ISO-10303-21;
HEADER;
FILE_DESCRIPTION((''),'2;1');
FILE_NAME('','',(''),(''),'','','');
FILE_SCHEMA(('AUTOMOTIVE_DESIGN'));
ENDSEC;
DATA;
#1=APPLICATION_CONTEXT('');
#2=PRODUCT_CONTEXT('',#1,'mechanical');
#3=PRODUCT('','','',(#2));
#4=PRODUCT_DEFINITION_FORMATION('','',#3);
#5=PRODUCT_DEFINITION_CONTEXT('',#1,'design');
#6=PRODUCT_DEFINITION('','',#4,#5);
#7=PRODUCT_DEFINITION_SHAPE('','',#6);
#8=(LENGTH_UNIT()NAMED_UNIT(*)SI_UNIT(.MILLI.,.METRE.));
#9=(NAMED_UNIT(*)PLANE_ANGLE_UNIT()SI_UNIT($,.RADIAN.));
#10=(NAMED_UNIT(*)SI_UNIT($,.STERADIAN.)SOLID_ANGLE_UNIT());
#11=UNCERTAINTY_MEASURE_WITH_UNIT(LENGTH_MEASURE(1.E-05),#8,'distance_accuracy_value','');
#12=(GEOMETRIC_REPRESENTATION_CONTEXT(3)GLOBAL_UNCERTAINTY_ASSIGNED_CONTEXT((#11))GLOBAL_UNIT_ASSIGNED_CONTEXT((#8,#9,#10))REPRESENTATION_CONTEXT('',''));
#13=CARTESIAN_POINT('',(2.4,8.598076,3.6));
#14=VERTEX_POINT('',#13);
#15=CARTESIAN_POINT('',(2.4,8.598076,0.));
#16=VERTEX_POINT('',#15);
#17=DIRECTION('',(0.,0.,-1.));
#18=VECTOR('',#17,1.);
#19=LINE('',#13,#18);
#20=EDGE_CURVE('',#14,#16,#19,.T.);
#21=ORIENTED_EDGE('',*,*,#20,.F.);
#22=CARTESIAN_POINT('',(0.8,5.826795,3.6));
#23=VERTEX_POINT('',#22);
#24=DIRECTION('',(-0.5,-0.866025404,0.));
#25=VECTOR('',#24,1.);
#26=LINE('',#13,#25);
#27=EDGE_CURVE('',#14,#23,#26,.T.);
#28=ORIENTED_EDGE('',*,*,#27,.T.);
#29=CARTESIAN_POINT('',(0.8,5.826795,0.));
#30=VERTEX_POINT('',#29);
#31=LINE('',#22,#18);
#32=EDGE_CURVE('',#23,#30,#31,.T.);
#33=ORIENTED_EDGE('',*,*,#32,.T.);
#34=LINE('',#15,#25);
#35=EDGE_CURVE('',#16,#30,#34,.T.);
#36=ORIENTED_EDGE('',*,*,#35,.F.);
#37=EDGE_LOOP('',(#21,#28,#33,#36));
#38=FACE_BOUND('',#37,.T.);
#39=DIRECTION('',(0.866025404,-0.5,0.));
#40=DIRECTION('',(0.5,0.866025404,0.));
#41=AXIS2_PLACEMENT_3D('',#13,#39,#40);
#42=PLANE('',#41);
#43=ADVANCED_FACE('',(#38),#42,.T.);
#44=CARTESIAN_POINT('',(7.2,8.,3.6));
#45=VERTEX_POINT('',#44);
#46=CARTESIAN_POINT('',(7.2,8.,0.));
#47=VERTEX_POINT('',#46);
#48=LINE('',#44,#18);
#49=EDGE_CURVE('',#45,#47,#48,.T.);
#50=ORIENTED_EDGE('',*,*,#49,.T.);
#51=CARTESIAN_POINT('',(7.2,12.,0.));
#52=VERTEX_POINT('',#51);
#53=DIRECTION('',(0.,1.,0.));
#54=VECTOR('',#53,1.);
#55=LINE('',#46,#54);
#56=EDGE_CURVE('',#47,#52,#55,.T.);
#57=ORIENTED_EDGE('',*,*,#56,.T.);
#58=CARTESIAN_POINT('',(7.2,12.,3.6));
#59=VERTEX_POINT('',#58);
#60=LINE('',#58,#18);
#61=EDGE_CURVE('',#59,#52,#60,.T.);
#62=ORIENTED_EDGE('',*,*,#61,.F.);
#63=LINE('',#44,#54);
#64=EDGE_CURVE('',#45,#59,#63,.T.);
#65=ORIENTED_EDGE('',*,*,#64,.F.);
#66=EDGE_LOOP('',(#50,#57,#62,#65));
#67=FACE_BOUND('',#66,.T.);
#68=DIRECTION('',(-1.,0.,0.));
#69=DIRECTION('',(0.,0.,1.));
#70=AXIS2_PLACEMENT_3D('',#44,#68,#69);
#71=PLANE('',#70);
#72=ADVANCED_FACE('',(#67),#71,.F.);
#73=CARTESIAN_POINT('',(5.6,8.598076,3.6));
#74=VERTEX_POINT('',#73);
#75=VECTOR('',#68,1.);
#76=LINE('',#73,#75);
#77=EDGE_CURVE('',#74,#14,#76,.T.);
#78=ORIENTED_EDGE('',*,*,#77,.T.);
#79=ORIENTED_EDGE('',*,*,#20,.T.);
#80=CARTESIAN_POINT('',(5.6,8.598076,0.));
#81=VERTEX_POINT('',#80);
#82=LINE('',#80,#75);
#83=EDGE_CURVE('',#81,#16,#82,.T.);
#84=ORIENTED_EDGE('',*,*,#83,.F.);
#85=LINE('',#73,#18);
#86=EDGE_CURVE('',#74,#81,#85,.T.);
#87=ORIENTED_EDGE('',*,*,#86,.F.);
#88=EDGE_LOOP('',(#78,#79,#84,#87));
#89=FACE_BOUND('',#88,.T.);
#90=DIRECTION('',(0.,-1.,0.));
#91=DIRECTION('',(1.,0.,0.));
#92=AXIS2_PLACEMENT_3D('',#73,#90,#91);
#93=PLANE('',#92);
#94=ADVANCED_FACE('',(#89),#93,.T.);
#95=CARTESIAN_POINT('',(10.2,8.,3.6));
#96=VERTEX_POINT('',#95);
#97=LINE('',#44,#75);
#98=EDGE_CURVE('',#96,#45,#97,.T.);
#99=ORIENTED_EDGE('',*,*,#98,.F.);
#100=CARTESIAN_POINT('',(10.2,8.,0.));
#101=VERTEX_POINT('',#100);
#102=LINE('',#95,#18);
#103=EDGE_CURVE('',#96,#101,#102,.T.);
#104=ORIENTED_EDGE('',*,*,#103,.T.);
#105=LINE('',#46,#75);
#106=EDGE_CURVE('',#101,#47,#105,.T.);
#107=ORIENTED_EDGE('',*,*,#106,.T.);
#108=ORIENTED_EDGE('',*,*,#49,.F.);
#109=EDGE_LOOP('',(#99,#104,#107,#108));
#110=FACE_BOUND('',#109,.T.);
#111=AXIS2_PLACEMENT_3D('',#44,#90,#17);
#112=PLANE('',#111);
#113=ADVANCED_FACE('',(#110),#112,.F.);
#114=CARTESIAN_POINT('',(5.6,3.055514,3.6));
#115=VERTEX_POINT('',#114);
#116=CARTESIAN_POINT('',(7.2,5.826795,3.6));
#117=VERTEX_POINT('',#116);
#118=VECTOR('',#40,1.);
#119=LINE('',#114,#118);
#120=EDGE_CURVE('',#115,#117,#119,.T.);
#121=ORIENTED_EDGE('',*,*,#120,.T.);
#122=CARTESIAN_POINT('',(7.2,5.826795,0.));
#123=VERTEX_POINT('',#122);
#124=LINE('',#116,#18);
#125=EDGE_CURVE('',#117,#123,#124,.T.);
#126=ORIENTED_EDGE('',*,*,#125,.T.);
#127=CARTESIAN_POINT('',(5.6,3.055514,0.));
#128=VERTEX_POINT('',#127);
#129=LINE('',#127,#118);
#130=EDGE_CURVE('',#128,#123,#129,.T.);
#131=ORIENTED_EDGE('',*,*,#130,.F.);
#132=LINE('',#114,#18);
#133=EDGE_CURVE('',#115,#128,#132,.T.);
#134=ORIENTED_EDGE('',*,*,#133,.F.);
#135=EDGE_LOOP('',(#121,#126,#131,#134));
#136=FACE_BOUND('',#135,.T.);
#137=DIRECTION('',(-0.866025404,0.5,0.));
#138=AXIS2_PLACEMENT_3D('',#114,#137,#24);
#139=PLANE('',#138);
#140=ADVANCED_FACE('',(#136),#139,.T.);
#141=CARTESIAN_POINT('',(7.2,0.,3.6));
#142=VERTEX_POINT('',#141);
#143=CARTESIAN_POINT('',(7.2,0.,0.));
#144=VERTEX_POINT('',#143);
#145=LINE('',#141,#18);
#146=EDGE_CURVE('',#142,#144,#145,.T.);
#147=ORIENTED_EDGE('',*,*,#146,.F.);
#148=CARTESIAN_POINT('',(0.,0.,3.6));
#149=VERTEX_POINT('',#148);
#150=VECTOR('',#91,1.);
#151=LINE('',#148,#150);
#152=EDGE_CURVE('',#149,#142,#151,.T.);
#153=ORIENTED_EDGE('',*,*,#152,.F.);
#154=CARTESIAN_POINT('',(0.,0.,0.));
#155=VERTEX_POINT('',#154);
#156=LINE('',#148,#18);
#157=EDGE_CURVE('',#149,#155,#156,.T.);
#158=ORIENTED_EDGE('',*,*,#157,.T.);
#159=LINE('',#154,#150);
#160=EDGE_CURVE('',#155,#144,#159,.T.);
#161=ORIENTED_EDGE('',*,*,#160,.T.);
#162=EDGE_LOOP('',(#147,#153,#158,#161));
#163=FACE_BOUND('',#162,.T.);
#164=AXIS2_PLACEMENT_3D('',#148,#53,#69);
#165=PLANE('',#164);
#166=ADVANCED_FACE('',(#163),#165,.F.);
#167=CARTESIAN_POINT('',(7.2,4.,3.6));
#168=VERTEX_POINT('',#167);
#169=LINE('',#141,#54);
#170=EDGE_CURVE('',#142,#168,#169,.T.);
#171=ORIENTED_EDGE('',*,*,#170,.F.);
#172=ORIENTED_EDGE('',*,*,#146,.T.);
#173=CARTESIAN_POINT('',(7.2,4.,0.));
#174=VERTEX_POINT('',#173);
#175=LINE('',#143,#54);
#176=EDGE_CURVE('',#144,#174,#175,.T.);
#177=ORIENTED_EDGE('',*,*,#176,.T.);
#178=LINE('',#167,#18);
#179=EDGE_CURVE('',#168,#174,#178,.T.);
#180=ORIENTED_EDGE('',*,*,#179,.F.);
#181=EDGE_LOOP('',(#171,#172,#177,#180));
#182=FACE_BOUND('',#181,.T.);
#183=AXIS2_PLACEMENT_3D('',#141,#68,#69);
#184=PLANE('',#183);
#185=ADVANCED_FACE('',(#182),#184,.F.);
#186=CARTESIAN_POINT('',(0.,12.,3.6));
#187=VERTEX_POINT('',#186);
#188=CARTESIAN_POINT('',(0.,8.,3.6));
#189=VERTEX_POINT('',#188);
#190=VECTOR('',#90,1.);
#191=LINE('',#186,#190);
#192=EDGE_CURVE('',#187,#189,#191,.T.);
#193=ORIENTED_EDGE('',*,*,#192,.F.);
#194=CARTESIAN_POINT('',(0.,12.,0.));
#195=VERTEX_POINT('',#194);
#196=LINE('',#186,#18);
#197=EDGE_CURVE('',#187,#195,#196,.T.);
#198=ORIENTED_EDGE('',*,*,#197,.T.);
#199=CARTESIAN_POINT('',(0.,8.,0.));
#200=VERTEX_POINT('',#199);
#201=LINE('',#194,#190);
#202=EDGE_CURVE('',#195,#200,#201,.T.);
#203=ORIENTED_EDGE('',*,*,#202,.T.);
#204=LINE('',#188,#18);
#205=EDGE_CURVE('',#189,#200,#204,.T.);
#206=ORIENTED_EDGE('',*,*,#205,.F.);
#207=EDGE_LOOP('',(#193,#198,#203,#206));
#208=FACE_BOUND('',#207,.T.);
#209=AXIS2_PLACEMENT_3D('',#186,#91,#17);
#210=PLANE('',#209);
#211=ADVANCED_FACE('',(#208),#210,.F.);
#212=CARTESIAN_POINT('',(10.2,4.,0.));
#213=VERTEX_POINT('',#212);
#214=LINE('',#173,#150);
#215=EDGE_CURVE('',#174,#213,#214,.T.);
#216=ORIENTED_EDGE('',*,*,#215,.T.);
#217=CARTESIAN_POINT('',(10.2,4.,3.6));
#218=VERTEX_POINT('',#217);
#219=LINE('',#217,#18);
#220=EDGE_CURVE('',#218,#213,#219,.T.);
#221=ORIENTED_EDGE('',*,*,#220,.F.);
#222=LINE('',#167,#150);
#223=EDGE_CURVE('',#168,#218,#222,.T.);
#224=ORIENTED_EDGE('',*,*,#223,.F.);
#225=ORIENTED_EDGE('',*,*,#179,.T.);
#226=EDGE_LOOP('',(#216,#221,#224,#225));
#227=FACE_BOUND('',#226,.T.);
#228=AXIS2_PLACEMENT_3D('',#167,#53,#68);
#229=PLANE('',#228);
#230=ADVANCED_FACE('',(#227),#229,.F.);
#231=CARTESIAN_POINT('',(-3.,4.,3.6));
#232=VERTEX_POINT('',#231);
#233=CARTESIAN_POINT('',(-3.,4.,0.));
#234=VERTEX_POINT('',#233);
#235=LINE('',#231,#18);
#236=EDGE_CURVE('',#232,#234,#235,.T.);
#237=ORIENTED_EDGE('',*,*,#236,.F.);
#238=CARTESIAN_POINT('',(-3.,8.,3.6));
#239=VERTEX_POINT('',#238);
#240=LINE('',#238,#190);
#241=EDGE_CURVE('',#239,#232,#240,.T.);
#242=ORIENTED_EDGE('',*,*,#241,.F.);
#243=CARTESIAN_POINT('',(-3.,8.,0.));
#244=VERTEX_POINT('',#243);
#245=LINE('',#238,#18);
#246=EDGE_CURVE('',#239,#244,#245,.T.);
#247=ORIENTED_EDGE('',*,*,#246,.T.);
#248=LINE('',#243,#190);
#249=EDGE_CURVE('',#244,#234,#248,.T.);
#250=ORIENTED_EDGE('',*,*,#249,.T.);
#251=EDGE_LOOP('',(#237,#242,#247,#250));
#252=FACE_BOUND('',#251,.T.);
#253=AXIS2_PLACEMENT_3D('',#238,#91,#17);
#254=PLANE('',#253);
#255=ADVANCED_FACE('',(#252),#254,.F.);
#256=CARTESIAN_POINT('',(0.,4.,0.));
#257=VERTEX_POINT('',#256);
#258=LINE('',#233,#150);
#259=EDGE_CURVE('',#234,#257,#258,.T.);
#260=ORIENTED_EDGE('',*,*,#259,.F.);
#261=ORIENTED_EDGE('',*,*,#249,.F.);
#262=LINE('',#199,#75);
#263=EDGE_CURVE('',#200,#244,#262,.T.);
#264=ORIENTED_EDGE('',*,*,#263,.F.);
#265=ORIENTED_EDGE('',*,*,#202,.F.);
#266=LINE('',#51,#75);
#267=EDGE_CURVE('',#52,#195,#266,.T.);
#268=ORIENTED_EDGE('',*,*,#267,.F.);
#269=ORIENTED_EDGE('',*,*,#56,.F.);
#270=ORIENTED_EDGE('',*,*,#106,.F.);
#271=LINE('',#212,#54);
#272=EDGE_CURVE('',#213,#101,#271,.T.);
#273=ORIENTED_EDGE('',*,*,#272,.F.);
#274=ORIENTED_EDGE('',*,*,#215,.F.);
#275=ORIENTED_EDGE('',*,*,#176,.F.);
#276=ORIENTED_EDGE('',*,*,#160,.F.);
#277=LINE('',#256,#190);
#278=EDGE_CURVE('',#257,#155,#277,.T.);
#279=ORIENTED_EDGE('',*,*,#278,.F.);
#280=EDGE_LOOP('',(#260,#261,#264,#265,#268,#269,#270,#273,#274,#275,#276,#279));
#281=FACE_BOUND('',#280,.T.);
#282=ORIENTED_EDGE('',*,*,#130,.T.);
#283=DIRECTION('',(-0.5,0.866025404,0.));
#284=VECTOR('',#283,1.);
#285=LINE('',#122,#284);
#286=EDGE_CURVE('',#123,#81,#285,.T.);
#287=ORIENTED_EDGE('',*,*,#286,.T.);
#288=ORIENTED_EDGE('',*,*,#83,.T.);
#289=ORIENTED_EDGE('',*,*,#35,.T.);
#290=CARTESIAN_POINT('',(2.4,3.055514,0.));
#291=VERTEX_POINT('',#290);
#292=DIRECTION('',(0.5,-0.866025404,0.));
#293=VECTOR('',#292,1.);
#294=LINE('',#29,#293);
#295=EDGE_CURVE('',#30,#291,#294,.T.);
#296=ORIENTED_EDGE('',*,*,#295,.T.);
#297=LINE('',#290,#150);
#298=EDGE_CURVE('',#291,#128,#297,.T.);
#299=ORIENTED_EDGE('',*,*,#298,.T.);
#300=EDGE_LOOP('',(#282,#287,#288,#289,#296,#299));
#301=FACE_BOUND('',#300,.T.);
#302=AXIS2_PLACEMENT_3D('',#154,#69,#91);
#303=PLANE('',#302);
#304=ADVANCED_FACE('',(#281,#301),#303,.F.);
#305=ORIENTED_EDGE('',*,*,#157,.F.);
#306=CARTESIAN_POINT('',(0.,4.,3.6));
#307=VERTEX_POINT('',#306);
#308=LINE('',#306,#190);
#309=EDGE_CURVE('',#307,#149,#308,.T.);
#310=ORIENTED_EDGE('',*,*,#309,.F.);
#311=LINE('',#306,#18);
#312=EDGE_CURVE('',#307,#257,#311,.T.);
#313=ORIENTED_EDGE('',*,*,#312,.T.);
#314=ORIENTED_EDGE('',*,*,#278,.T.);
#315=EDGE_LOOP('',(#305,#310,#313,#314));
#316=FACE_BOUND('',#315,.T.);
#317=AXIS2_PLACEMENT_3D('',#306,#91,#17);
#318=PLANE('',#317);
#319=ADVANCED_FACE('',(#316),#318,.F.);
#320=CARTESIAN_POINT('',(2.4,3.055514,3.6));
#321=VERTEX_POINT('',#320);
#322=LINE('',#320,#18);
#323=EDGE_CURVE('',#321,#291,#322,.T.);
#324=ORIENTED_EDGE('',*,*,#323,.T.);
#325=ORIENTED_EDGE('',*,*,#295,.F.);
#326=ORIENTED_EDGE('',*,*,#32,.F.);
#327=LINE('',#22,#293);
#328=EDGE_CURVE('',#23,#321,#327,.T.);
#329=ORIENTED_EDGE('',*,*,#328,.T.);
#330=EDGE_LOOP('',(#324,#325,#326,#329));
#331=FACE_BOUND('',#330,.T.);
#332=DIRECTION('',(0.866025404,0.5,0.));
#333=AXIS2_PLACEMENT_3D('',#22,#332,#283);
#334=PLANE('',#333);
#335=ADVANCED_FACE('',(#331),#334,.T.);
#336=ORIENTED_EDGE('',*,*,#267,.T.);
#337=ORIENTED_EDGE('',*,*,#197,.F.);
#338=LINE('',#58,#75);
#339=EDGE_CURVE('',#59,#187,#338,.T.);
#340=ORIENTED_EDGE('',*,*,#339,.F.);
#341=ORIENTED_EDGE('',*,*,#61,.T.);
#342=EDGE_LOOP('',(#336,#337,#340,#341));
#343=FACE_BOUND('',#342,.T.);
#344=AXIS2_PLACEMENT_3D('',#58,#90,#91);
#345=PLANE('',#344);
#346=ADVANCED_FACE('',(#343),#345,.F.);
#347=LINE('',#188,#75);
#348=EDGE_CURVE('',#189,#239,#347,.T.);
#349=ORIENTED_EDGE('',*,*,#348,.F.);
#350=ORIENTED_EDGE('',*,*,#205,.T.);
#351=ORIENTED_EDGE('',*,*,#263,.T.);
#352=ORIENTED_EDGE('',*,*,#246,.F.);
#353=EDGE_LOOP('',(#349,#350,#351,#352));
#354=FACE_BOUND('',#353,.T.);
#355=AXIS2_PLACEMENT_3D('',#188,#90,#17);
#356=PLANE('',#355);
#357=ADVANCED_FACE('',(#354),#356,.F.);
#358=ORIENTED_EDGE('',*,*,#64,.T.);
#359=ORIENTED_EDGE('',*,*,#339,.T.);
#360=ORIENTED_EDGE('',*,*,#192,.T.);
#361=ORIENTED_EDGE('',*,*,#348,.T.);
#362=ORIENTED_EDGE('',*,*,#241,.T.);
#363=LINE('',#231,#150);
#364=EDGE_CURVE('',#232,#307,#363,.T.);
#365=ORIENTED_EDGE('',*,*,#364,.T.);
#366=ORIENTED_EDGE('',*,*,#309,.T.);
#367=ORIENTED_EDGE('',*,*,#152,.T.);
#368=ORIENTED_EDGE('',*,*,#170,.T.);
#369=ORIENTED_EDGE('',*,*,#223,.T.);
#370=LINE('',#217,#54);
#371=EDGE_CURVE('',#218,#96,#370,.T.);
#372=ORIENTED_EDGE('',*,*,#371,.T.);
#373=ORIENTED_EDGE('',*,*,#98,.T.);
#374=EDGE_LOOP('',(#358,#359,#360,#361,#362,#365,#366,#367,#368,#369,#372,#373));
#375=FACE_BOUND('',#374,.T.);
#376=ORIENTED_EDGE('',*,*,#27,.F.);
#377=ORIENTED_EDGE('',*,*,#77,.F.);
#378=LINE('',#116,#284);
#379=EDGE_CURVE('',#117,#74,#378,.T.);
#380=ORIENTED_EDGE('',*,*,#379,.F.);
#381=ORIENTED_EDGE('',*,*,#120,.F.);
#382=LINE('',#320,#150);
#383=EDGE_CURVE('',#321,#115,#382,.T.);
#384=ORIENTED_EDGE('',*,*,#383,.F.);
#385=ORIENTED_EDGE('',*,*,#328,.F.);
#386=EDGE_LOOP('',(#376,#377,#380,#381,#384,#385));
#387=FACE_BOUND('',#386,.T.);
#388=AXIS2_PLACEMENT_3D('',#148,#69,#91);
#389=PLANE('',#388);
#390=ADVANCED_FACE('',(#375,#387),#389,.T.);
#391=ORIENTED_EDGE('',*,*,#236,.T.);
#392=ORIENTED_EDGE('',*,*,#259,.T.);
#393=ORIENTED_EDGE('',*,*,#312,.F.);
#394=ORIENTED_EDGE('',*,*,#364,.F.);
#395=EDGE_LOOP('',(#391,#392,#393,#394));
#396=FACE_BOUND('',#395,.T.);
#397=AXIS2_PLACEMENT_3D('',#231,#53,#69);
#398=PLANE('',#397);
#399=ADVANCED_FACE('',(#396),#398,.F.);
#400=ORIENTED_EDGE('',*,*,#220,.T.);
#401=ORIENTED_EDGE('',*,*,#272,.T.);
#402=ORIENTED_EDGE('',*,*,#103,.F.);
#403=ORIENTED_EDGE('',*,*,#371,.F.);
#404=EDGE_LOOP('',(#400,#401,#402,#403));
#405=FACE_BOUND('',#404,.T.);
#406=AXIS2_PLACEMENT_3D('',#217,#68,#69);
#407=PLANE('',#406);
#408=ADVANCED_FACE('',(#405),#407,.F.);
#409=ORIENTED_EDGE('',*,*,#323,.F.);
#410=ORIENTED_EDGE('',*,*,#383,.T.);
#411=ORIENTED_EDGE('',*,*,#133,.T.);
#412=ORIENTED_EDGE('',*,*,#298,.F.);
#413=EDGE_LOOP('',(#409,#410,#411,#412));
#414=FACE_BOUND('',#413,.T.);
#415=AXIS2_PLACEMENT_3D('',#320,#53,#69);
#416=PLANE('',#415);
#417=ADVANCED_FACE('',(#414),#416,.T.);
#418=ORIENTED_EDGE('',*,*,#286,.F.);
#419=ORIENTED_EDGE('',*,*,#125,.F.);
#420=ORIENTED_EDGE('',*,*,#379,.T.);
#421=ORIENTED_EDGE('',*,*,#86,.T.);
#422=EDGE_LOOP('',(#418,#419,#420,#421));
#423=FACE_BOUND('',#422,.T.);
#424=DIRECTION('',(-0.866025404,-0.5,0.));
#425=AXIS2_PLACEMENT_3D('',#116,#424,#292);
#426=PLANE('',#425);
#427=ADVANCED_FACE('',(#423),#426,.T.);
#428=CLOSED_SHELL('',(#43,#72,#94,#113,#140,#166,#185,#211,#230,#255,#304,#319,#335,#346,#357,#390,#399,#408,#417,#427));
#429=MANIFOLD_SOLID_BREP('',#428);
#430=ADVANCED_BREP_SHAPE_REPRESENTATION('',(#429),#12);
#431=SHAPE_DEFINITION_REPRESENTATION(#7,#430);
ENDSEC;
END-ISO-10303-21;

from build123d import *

# Parameters (mm, degrees)
BOSS_EXTRUDE1_DEPTH = 3.6


with BuildPart() as part:
    # Sketch1 → Boss-Extrude1 (new body)
    with BuildSketch(Plane.XY):
        Polygon((0, 0), (7.2, 0), (7.2, 4), (10.2, 4), (10.2, 8), (7.2, 8), (7.2, 12), (0, 12), (0, 8), (-3, 8), (-3, 4), (0, 4), align=None)
        Polygon((7.2, 5.826794919), (5.6, 8.598076211), (2.4, 8.598076211), (0.8, 5.826794919), (2.4, 3.055513627), (5.6, 3.055513627), align=None, mode=Mode.SUBTRACT)
    extrude(amount=BOSS_EXTRUDE1_DEPTH)


solid = part.part
